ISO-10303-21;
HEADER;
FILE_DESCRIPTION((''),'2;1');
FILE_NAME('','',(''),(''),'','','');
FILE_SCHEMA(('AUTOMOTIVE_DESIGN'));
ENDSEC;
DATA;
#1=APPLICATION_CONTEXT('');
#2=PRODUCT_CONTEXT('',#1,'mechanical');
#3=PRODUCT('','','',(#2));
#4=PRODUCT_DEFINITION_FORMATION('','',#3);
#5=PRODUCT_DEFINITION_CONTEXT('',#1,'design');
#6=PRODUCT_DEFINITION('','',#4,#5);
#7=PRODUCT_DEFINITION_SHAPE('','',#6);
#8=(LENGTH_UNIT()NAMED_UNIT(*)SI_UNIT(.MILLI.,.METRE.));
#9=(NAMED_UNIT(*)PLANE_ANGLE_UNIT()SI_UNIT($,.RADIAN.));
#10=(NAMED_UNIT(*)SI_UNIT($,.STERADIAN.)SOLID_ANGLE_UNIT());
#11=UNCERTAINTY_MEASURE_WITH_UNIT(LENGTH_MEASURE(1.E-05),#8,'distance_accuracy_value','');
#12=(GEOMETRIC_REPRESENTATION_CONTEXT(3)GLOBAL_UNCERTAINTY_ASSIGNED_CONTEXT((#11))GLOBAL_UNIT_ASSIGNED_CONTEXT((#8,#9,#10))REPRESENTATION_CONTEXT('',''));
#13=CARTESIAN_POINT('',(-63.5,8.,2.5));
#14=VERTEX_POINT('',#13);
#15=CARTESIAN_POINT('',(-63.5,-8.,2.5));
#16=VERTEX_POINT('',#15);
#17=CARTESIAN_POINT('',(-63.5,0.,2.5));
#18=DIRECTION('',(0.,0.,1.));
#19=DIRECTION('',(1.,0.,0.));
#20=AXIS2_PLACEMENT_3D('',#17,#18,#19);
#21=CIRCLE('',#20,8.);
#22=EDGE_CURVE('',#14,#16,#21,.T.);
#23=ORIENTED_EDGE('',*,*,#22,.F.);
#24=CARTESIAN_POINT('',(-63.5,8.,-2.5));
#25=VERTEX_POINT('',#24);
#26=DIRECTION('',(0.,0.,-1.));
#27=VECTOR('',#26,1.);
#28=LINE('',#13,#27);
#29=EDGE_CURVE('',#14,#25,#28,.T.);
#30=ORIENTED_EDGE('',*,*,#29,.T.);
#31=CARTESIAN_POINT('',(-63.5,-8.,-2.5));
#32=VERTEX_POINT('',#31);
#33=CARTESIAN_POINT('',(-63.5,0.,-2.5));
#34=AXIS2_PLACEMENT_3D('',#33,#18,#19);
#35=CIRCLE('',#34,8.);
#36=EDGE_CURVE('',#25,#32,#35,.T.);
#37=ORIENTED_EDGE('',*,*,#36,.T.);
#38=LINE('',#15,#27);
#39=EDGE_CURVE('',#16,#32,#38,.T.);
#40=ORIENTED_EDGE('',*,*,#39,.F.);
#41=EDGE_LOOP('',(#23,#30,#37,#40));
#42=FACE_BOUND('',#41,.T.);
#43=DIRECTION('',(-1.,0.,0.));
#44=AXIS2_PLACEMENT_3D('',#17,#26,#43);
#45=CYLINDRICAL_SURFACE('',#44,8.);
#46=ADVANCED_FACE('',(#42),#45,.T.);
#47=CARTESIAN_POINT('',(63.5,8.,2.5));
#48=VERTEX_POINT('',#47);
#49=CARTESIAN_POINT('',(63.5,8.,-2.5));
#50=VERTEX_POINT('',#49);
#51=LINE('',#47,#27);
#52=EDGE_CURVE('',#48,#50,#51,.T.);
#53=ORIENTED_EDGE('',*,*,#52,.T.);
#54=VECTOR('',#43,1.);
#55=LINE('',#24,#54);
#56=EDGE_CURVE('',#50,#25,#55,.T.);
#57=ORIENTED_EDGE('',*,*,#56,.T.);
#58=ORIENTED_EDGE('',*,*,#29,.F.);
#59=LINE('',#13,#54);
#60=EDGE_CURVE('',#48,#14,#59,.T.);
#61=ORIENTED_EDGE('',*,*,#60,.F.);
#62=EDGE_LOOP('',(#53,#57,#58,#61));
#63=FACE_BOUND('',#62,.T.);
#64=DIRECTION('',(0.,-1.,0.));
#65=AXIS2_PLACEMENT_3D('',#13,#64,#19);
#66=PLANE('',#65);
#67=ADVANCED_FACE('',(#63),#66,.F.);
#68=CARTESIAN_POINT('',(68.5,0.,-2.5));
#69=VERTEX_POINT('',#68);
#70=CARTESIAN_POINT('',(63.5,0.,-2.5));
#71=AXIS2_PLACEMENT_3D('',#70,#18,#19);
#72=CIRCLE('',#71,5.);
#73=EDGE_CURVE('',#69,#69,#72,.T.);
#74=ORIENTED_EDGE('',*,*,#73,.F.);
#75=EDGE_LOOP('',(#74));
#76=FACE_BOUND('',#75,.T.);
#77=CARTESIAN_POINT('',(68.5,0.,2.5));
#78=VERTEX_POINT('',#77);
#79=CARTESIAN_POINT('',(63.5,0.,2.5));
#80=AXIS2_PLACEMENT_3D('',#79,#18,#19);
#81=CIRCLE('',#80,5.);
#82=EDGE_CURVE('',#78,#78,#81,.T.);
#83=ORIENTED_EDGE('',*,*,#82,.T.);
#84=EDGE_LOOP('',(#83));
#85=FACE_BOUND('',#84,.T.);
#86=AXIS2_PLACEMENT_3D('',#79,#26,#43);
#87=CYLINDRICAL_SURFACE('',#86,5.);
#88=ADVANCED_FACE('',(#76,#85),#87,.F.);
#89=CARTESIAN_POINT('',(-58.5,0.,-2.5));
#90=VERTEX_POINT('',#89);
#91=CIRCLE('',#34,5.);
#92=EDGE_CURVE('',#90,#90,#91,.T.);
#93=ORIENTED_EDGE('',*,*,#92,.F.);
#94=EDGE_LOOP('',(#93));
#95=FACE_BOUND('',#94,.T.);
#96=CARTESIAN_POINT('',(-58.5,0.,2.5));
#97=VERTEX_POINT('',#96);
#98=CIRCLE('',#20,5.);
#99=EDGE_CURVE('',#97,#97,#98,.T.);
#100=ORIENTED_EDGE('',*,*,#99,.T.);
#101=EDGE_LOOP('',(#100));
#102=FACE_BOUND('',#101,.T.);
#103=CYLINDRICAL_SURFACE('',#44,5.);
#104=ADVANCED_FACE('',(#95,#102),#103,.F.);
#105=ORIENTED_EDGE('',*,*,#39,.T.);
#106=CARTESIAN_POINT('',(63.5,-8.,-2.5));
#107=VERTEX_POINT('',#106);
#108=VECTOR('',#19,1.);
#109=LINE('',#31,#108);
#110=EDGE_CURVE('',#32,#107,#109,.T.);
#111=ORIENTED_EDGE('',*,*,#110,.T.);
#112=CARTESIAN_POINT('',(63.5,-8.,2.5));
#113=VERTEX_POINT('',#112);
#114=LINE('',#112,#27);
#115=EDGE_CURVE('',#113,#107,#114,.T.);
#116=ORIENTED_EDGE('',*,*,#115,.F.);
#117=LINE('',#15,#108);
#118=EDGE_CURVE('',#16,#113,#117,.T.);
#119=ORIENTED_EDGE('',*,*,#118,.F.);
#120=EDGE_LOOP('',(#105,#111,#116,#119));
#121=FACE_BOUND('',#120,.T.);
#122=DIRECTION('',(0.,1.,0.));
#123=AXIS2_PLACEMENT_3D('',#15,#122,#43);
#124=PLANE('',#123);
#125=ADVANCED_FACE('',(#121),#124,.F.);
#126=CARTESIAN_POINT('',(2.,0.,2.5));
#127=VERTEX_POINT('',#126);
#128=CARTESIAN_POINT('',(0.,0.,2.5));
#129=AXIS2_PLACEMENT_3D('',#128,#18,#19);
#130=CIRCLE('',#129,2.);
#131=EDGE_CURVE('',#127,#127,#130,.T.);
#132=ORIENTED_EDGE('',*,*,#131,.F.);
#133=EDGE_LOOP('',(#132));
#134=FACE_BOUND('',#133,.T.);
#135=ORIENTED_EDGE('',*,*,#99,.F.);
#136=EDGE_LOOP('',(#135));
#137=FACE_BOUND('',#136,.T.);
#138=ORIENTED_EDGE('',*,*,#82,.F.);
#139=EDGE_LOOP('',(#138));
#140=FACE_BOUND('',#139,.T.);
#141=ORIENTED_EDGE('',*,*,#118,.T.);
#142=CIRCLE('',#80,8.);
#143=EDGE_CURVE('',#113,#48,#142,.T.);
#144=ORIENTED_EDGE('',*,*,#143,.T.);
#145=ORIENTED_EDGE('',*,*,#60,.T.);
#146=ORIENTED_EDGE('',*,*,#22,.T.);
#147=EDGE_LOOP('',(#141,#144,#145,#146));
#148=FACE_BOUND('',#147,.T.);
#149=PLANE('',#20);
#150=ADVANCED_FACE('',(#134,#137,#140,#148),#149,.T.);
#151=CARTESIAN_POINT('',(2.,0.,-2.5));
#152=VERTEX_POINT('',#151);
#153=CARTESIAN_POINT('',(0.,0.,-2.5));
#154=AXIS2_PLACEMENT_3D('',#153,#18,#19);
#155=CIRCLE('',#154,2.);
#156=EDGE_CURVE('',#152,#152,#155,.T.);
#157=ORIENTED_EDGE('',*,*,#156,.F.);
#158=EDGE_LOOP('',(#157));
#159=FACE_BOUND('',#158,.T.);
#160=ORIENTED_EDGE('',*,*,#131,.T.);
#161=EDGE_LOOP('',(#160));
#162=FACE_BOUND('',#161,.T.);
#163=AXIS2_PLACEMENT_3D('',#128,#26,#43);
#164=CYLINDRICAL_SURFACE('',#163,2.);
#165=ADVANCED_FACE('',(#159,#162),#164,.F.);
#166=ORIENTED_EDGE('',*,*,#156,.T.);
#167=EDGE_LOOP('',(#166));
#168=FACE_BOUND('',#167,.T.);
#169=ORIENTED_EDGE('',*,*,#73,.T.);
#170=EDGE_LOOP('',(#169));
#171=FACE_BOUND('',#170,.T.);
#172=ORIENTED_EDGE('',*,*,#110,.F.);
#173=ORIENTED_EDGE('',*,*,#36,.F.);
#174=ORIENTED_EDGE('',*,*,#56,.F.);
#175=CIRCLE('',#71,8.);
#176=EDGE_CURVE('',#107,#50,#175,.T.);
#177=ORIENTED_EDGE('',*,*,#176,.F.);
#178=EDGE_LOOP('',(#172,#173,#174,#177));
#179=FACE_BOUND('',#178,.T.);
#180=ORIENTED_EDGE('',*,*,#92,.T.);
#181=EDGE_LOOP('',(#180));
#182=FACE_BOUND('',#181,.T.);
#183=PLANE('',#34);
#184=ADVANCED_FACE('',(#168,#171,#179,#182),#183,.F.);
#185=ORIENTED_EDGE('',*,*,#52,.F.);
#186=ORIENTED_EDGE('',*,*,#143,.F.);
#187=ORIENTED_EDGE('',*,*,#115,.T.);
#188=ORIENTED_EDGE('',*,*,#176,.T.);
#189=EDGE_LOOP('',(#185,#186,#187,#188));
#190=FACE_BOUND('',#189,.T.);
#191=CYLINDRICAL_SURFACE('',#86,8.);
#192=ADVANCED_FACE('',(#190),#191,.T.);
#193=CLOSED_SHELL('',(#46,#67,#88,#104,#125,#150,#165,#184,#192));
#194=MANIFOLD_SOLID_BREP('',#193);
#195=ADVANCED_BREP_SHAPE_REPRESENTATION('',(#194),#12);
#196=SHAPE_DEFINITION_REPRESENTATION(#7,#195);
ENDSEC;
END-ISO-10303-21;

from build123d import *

# Parameters (mm, degrees)
SKETCH1_R           = 5
SKETCH1_R_2         = 2
BOSS_EXTRUDE1_DEPTH = 2.5


with BuildPart() as part:
    # Sketch1 → Boss-Extrude1 (new, symmetric)
    with BuildSketch(Plane.XY):
        with BuildLine():
            Line((-63.5, 8), (63.5, 8))
            ThreePointArc((63.5, 8), (71.5, 0), (63.5, -8))
            Line((63.5, -8), (-63.5, -8))
            ThreePointArc((-63.5, -8), (-71.5, 0), (-63.5, 8))
        make_face()
        with Locations((-63.5, 0)):
            Circle(SKETCH1_R, mode=Mode.SUBTRACT)
        with Locations((63.5, 0)):
            Circle(SKETCH1_R, mode=Mode.SUBTRACT)
        Circle(SKETCH1_R_2, mode=Mode.SUBTRACT)
    extrude(amount=BOSS_EXTRUDE1_DEPTH, both=True)


solid = part.part
